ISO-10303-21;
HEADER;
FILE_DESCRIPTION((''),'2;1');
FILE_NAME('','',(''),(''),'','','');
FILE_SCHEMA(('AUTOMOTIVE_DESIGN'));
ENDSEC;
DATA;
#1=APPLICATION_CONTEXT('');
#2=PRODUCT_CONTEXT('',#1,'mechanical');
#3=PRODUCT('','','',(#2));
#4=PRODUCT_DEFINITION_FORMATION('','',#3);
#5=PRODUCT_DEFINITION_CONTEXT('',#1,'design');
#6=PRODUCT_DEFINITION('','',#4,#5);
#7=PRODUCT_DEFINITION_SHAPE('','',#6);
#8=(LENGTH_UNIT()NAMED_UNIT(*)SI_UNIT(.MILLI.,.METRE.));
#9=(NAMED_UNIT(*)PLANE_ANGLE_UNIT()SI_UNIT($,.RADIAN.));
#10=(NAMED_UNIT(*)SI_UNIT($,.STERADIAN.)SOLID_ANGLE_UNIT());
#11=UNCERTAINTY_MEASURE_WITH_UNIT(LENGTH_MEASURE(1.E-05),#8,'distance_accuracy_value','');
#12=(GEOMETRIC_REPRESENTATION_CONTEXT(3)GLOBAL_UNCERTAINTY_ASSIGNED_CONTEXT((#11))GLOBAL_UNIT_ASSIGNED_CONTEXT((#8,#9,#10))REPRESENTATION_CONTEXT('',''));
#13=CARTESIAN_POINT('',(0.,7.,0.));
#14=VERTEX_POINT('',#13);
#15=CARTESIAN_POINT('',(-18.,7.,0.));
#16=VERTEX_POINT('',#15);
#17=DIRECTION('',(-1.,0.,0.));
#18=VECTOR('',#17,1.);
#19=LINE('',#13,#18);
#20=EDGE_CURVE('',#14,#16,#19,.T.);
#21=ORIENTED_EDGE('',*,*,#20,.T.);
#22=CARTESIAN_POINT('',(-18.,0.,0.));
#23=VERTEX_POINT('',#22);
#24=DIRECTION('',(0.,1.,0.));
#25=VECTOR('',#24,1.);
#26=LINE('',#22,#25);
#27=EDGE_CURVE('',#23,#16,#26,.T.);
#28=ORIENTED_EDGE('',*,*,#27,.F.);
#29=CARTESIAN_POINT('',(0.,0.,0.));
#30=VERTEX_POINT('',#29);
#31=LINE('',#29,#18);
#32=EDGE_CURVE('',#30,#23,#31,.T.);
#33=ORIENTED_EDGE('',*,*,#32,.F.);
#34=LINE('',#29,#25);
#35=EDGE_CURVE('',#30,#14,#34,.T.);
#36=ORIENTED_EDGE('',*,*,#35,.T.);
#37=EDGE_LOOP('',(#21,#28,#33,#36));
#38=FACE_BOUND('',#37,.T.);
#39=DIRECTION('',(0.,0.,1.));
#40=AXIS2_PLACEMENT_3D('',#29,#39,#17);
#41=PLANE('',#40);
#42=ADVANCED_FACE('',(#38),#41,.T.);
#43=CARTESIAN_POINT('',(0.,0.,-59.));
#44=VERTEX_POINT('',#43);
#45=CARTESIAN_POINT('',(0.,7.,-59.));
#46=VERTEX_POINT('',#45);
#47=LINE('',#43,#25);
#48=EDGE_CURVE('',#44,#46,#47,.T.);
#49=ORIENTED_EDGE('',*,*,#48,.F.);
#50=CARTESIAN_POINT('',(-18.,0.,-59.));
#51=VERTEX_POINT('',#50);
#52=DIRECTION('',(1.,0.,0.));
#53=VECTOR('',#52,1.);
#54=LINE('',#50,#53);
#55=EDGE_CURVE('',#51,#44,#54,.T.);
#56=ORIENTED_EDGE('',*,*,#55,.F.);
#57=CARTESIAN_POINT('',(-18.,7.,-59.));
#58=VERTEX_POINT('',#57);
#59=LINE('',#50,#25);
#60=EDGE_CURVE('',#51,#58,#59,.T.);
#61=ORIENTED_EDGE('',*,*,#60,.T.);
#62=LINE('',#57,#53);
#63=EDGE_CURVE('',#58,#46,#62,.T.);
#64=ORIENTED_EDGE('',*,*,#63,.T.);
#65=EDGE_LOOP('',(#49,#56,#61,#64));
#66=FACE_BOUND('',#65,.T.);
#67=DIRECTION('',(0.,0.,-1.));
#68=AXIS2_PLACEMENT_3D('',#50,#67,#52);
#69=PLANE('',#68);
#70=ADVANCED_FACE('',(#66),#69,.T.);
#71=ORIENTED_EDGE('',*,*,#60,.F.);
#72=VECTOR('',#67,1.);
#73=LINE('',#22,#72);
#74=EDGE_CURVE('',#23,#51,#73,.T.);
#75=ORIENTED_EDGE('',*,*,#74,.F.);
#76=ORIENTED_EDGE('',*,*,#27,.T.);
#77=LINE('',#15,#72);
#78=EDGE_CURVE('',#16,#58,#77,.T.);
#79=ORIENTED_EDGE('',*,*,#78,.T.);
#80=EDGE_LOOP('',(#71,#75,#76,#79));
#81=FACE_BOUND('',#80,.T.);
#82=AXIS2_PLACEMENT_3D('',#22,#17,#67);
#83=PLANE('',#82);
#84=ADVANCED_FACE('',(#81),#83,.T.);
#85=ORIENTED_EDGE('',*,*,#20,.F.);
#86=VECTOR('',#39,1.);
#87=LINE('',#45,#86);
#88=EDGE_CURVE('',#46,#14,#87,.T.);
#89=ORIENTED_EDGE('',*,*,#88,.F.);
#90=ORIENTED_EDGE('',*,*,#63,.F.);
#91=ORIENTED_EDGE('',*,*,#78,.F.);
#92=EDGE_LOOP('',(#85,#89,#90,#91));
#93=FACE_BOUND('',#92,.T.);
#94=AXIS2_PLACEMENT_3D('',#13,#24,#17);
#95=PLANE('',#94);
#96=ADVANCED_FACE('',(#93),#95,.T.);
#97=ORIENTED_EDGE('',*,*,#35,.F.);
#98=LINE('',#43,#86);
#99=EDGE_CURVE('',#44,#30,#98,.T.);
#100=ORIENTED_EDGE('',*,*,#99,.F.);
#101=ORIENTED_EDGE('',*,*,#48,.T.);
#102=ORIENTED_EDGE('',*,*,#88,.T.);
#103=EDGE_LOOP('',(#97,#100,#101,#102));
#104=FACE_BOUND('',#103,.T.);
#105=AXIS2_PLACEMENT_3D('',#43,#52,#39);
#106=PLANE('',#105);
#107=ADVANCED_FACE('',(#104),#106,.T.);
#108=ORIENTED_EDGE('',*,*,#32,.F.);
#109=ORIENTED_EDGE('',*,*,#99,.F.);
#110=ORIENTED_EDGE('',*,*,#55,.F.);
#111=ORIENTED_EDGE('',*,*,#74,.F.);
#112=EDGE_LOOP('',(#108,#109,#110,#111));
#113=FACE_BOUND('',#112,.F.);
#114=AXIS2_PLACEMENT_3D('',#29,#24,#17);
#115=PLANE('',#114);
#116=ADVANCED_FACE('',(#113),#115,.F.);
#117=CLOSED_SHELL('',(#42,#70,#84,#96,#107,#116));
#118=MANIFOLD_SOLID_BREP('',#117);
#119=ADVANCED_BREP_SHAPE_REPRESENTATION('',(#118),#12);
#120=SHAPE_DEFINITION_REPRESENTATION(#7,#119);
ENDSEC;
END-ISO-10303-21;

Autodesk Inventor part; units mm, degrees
ref_plane "YZ Plane" through (0, 0, 0) normal (1, 0, 0) x (0, 1, 0)
ref_plane "XZ Plane" through (0, 0, 0) normal (0, 1, 0) x (-1, 0, 0)
ref_plane "XY Plane" through (0, 0, 0) normal (0, 0, 1) x (1, 0, 0)
sketch "Szkic1" plane through (0, 0, 0) normal (0, 1, 0) x (-1, 0, 0)
  line L0 (0, 0) -> (18, 0)
  line L1 (18, 0) -> (18, -59)
  line L2 (18, -59) -> (0, -59)
  line L3 (0, -59) -> (0, 0)
  dimension "d0" = 18
  dimension "d1" = 59
extrude "Wyciągnięcie proste1" add sketch "Szkic1" along normal blind 7
properties part number "lipo"
